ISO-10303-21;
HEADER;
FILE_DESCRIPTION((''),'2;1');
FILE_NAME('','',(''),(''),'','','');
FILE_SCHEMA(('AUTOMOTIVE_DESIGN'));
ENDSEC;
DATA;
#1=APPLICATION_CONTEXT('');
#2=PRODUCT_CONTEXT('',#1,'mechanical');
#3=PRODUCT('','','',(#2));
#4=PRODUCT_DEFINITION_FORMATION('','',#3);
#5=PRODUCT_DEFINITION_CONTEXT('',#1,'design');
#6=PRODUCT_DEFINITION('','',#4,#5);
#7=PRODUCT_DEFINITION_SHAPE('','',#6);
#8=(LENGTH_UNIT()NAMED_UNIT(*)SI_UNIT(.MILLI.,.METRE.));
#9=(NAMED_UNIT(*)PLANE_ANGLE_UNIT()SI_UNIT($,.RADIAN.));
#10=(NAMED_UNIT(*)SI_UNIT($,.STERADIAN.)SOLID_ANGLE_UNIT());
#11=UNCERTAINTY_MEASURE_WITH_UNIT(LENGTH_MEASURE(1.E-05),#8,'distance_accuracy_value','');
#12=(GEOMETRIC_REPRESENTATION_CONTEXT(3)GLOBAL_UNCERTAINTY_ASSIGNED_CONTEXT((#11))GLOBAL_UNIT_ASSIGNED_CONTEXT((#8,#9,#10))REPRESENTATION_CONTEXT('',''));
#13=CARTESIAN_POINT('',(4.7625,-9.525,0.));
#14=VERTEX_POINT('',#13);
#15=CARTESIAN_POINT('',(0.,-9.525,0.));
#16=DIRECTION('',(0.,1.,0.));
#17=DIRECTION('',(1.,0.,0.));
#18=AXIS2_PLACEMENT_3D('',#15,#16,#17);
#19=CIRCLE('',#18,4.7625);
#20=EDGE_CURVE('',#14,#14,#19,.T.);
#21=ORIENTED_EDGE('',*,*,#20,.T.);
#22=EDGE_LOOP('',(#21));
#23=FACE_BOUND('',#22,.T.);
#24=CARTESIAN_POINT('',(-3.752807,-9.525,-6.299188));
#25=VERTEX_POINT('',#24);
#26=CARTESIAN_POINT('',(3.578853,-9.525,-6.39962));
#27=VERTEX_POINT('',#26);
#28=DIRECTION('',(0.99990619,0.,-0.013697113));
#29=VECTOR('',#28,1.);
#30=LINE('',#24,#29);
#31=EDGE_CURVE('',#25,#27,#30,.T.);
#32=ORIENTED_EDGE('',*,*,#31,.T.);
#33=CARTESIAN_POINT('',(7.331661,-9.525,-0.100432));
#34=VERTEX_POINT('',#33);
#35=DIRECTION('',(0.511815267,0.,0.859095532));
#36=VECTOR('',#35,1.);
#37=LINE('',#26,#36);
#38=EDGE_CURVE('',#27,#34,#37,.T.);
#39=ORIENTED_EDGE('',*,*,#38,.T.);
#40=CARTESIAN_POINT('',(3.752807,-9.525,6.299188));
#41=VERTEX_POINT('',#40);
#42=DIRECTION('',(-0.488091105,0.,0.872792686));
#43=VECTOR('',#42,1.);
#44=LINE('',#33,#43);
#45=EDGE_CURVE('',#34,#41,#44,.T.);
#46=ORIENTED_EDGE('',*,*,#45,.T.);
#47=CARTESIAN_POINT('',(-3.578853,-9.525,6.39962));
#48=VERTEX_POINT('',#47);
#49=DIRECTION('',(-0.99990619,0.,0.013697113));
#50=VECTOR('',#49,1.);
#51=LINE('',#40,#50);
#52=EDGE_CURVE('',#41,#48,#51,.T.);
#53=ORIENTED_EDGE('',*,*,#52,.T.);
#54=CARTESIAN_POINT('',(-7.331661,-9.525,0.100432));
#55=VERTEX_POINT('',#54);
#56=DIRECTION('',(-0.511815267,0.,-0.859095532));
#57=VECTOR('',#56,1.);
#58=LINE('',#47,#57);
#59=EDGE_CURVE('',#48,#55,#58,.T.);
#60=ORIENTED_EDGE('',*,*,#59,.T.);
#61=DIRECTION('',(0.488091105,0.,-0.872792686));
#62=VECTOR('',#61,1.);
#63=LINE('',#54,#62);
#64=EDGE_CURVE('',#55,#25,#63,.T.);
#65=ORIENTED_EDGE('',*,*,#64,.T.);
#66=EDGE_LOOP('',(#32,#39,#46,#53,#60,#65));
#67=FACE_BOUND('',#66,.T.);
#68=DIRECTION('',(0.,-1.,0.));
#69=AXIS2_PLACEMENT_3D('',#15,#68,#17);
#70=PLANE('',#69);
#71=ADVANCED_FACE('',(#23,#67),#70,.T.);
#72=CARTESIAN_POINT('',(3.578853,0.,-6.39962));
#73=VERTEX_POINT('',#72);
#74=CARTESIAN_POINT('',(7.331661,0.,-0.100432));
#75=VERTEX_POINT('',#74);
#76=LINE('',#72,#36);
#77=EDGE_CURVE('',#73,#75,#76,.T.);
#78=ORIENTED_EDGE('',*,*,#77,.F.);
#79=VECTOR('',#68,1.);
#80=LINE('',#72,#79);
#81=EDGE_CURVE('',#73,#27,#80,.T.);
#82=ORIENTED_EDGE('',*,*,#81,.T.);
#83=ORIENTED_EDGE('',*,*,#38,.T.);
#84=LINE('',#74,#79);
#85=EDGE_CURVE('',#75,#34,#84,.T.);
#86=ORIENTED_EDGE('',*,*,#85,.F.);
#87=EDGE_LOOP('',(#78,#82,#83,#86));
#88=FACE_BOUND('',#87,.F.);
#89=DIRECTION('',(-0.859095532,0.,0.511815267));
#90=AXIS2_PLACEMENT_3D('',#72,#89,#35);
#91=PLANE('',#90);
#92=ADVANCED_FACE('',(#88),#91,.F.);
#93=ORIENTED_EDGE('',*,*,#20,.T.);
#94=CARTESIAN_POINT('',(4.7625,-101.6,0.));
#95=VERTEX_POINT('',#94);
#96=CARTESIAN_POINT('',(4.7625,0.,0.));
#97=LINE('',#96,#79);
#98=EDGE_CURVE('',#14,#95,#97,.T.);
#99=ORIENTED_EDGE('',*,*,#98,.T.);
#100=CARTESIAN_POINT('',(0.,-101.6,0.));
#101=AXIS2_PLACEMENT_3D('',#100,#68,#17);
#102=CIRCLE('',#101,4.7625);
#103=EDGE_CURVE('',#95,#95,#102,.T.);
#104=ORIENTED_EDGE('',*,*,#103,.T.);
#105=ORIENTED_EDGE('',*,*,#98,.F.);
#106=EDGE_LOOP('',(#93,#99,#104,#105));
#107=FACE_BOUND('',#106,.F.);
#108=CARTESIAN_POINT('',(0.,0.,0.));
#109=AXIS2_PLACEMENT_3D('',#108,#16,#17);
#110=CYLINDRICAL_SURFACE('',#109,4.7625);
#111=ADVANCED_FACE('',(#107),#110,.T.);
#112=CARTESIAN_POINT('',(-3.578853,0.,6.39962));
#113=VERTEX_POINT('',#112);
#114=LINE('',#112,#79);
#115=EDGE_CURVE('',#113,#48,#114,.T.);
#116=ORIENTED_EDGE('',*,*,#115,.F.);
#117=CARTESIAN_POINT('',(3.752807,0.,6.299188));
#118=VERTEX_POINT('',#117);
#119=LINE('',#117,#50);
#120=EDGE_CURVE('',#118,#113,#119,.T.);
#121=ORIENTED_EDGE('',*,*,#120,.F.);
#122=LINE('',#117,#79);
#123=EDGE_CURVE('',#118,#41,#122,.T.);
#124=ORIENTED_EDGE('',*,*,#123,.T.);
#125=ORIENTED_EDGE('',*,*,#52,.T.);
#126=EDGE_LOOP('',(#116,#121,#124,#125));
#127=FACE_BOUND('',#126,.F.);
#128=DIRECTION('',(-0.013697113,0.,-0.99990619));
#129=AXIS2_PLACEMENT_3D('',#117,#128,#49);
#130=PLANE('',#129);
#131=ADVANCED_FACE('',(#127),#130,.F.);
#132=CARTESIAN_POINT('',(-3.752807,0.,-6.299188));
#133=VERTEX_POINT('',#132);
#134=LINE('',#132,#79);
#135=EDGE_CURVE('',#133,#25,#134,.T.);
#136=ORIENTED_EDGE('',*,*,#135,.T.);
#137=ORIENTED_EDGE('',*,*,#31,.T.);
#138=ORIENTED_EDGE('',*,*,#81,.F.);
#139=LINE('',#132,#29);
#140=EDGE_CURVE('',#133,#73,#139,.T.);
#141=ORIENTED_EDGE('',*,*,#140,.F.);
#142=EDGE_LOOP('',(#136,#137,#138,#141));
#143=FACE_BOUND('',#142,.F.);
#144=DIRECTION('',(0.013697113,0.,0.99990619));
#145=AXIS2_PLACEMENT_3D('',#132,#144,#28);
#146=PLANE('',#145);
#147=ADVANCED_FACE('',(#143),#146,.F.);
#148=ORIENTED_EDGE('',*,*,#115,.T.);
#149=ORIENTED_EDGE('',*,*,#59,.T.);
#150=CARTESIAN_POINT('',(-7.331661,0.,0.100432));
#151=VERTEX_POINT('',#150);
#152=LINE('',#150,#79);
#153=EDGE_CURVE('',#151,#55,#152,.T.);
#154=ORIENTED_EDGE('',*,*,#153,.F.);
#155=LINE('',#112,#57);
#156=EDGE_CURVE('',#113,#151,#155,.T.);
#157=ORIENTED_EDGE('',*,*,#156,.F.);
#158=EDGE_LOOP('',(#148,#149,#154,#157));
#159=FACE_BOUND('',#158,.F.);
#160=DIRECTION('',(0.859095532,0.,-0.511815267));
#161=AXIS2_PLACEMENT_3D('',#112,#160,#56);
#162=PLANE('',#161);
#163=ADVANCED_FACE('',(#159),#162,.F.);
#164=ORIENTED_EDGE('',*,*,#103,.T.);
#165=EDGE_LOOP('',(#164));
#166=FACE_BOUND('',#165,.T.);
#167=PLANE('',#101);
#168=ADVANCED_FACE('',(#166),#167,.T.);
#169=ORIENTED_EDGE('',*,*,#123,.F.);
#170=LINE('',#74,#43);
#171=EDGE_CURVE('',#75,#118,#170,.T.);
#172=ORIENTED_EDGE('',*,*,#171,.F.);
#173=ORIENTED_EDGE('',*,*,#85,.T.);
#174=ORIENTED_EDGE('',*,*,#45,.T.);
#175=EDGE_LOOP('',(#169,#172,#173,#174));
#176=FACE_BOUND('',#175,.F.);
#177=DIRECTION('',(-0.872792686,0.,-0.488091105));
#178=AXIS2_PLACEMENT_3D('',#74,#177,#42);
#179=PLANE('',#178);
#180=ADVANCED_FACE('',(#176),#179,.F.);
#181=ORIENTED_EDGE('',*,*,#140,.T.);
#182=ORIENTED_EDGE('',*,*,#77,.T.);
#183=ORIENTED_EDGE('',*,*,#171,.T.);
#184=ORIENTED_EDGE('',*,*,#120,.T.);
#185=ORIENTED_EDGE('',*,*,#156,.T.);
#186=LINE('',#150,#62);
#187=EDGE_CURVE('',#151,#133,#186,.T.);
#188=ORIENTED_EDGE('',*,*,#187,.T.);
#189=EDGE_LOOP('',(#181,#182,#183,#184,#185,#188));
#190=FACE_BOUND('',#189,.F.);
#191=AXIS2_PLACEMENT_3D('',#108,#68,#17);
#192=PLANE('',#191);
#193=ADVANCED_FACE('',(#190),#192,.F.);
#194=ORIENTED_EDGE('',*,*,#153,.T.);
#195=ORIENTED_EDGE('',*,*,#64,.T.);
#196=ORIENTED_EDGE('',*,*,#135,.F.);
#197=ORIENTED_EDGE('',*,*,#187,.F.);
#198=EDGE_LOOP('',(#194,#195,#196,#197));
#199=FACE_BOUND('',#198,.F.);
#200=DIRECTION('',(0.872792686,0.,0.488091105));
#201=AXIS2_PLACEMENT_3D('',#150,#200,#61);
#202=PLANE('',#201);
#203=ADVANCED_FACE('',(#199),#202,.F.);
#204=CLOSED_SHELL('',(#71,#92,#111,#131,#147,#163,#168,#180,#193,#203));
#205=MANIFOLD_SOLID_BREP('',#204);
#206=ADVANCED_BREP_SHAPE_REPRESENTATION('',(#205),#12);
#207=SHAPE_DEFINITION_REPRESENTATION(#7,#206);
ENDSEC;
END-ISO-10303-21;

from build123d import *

# Parameters (mm, degrees)
F0_R     = 4.7625
F2_DEPTH = 101.6
F4_DEPTH = 9.525


with BuildPart() as f2:
    # F0 (on Front) → F2 (new body)
    with BuildSketch(Plane.XZ):
        Circle(F0_R)
    extrude(amount=F2_DEPTH)

    # F3 (on Front) → F4 (join)
    with BuildSketch(Plane.XZ):
        Polygon((7.331661, -0.100432), (3.752807, 6.299188), (-3.578853, 6.39962), (-7.331661, 0.100432), (-3.752807, -6.299188), (3.578853, -6.39962), align=None)
    extrude(amount=F4_DEPTH)


solid = f2.part
